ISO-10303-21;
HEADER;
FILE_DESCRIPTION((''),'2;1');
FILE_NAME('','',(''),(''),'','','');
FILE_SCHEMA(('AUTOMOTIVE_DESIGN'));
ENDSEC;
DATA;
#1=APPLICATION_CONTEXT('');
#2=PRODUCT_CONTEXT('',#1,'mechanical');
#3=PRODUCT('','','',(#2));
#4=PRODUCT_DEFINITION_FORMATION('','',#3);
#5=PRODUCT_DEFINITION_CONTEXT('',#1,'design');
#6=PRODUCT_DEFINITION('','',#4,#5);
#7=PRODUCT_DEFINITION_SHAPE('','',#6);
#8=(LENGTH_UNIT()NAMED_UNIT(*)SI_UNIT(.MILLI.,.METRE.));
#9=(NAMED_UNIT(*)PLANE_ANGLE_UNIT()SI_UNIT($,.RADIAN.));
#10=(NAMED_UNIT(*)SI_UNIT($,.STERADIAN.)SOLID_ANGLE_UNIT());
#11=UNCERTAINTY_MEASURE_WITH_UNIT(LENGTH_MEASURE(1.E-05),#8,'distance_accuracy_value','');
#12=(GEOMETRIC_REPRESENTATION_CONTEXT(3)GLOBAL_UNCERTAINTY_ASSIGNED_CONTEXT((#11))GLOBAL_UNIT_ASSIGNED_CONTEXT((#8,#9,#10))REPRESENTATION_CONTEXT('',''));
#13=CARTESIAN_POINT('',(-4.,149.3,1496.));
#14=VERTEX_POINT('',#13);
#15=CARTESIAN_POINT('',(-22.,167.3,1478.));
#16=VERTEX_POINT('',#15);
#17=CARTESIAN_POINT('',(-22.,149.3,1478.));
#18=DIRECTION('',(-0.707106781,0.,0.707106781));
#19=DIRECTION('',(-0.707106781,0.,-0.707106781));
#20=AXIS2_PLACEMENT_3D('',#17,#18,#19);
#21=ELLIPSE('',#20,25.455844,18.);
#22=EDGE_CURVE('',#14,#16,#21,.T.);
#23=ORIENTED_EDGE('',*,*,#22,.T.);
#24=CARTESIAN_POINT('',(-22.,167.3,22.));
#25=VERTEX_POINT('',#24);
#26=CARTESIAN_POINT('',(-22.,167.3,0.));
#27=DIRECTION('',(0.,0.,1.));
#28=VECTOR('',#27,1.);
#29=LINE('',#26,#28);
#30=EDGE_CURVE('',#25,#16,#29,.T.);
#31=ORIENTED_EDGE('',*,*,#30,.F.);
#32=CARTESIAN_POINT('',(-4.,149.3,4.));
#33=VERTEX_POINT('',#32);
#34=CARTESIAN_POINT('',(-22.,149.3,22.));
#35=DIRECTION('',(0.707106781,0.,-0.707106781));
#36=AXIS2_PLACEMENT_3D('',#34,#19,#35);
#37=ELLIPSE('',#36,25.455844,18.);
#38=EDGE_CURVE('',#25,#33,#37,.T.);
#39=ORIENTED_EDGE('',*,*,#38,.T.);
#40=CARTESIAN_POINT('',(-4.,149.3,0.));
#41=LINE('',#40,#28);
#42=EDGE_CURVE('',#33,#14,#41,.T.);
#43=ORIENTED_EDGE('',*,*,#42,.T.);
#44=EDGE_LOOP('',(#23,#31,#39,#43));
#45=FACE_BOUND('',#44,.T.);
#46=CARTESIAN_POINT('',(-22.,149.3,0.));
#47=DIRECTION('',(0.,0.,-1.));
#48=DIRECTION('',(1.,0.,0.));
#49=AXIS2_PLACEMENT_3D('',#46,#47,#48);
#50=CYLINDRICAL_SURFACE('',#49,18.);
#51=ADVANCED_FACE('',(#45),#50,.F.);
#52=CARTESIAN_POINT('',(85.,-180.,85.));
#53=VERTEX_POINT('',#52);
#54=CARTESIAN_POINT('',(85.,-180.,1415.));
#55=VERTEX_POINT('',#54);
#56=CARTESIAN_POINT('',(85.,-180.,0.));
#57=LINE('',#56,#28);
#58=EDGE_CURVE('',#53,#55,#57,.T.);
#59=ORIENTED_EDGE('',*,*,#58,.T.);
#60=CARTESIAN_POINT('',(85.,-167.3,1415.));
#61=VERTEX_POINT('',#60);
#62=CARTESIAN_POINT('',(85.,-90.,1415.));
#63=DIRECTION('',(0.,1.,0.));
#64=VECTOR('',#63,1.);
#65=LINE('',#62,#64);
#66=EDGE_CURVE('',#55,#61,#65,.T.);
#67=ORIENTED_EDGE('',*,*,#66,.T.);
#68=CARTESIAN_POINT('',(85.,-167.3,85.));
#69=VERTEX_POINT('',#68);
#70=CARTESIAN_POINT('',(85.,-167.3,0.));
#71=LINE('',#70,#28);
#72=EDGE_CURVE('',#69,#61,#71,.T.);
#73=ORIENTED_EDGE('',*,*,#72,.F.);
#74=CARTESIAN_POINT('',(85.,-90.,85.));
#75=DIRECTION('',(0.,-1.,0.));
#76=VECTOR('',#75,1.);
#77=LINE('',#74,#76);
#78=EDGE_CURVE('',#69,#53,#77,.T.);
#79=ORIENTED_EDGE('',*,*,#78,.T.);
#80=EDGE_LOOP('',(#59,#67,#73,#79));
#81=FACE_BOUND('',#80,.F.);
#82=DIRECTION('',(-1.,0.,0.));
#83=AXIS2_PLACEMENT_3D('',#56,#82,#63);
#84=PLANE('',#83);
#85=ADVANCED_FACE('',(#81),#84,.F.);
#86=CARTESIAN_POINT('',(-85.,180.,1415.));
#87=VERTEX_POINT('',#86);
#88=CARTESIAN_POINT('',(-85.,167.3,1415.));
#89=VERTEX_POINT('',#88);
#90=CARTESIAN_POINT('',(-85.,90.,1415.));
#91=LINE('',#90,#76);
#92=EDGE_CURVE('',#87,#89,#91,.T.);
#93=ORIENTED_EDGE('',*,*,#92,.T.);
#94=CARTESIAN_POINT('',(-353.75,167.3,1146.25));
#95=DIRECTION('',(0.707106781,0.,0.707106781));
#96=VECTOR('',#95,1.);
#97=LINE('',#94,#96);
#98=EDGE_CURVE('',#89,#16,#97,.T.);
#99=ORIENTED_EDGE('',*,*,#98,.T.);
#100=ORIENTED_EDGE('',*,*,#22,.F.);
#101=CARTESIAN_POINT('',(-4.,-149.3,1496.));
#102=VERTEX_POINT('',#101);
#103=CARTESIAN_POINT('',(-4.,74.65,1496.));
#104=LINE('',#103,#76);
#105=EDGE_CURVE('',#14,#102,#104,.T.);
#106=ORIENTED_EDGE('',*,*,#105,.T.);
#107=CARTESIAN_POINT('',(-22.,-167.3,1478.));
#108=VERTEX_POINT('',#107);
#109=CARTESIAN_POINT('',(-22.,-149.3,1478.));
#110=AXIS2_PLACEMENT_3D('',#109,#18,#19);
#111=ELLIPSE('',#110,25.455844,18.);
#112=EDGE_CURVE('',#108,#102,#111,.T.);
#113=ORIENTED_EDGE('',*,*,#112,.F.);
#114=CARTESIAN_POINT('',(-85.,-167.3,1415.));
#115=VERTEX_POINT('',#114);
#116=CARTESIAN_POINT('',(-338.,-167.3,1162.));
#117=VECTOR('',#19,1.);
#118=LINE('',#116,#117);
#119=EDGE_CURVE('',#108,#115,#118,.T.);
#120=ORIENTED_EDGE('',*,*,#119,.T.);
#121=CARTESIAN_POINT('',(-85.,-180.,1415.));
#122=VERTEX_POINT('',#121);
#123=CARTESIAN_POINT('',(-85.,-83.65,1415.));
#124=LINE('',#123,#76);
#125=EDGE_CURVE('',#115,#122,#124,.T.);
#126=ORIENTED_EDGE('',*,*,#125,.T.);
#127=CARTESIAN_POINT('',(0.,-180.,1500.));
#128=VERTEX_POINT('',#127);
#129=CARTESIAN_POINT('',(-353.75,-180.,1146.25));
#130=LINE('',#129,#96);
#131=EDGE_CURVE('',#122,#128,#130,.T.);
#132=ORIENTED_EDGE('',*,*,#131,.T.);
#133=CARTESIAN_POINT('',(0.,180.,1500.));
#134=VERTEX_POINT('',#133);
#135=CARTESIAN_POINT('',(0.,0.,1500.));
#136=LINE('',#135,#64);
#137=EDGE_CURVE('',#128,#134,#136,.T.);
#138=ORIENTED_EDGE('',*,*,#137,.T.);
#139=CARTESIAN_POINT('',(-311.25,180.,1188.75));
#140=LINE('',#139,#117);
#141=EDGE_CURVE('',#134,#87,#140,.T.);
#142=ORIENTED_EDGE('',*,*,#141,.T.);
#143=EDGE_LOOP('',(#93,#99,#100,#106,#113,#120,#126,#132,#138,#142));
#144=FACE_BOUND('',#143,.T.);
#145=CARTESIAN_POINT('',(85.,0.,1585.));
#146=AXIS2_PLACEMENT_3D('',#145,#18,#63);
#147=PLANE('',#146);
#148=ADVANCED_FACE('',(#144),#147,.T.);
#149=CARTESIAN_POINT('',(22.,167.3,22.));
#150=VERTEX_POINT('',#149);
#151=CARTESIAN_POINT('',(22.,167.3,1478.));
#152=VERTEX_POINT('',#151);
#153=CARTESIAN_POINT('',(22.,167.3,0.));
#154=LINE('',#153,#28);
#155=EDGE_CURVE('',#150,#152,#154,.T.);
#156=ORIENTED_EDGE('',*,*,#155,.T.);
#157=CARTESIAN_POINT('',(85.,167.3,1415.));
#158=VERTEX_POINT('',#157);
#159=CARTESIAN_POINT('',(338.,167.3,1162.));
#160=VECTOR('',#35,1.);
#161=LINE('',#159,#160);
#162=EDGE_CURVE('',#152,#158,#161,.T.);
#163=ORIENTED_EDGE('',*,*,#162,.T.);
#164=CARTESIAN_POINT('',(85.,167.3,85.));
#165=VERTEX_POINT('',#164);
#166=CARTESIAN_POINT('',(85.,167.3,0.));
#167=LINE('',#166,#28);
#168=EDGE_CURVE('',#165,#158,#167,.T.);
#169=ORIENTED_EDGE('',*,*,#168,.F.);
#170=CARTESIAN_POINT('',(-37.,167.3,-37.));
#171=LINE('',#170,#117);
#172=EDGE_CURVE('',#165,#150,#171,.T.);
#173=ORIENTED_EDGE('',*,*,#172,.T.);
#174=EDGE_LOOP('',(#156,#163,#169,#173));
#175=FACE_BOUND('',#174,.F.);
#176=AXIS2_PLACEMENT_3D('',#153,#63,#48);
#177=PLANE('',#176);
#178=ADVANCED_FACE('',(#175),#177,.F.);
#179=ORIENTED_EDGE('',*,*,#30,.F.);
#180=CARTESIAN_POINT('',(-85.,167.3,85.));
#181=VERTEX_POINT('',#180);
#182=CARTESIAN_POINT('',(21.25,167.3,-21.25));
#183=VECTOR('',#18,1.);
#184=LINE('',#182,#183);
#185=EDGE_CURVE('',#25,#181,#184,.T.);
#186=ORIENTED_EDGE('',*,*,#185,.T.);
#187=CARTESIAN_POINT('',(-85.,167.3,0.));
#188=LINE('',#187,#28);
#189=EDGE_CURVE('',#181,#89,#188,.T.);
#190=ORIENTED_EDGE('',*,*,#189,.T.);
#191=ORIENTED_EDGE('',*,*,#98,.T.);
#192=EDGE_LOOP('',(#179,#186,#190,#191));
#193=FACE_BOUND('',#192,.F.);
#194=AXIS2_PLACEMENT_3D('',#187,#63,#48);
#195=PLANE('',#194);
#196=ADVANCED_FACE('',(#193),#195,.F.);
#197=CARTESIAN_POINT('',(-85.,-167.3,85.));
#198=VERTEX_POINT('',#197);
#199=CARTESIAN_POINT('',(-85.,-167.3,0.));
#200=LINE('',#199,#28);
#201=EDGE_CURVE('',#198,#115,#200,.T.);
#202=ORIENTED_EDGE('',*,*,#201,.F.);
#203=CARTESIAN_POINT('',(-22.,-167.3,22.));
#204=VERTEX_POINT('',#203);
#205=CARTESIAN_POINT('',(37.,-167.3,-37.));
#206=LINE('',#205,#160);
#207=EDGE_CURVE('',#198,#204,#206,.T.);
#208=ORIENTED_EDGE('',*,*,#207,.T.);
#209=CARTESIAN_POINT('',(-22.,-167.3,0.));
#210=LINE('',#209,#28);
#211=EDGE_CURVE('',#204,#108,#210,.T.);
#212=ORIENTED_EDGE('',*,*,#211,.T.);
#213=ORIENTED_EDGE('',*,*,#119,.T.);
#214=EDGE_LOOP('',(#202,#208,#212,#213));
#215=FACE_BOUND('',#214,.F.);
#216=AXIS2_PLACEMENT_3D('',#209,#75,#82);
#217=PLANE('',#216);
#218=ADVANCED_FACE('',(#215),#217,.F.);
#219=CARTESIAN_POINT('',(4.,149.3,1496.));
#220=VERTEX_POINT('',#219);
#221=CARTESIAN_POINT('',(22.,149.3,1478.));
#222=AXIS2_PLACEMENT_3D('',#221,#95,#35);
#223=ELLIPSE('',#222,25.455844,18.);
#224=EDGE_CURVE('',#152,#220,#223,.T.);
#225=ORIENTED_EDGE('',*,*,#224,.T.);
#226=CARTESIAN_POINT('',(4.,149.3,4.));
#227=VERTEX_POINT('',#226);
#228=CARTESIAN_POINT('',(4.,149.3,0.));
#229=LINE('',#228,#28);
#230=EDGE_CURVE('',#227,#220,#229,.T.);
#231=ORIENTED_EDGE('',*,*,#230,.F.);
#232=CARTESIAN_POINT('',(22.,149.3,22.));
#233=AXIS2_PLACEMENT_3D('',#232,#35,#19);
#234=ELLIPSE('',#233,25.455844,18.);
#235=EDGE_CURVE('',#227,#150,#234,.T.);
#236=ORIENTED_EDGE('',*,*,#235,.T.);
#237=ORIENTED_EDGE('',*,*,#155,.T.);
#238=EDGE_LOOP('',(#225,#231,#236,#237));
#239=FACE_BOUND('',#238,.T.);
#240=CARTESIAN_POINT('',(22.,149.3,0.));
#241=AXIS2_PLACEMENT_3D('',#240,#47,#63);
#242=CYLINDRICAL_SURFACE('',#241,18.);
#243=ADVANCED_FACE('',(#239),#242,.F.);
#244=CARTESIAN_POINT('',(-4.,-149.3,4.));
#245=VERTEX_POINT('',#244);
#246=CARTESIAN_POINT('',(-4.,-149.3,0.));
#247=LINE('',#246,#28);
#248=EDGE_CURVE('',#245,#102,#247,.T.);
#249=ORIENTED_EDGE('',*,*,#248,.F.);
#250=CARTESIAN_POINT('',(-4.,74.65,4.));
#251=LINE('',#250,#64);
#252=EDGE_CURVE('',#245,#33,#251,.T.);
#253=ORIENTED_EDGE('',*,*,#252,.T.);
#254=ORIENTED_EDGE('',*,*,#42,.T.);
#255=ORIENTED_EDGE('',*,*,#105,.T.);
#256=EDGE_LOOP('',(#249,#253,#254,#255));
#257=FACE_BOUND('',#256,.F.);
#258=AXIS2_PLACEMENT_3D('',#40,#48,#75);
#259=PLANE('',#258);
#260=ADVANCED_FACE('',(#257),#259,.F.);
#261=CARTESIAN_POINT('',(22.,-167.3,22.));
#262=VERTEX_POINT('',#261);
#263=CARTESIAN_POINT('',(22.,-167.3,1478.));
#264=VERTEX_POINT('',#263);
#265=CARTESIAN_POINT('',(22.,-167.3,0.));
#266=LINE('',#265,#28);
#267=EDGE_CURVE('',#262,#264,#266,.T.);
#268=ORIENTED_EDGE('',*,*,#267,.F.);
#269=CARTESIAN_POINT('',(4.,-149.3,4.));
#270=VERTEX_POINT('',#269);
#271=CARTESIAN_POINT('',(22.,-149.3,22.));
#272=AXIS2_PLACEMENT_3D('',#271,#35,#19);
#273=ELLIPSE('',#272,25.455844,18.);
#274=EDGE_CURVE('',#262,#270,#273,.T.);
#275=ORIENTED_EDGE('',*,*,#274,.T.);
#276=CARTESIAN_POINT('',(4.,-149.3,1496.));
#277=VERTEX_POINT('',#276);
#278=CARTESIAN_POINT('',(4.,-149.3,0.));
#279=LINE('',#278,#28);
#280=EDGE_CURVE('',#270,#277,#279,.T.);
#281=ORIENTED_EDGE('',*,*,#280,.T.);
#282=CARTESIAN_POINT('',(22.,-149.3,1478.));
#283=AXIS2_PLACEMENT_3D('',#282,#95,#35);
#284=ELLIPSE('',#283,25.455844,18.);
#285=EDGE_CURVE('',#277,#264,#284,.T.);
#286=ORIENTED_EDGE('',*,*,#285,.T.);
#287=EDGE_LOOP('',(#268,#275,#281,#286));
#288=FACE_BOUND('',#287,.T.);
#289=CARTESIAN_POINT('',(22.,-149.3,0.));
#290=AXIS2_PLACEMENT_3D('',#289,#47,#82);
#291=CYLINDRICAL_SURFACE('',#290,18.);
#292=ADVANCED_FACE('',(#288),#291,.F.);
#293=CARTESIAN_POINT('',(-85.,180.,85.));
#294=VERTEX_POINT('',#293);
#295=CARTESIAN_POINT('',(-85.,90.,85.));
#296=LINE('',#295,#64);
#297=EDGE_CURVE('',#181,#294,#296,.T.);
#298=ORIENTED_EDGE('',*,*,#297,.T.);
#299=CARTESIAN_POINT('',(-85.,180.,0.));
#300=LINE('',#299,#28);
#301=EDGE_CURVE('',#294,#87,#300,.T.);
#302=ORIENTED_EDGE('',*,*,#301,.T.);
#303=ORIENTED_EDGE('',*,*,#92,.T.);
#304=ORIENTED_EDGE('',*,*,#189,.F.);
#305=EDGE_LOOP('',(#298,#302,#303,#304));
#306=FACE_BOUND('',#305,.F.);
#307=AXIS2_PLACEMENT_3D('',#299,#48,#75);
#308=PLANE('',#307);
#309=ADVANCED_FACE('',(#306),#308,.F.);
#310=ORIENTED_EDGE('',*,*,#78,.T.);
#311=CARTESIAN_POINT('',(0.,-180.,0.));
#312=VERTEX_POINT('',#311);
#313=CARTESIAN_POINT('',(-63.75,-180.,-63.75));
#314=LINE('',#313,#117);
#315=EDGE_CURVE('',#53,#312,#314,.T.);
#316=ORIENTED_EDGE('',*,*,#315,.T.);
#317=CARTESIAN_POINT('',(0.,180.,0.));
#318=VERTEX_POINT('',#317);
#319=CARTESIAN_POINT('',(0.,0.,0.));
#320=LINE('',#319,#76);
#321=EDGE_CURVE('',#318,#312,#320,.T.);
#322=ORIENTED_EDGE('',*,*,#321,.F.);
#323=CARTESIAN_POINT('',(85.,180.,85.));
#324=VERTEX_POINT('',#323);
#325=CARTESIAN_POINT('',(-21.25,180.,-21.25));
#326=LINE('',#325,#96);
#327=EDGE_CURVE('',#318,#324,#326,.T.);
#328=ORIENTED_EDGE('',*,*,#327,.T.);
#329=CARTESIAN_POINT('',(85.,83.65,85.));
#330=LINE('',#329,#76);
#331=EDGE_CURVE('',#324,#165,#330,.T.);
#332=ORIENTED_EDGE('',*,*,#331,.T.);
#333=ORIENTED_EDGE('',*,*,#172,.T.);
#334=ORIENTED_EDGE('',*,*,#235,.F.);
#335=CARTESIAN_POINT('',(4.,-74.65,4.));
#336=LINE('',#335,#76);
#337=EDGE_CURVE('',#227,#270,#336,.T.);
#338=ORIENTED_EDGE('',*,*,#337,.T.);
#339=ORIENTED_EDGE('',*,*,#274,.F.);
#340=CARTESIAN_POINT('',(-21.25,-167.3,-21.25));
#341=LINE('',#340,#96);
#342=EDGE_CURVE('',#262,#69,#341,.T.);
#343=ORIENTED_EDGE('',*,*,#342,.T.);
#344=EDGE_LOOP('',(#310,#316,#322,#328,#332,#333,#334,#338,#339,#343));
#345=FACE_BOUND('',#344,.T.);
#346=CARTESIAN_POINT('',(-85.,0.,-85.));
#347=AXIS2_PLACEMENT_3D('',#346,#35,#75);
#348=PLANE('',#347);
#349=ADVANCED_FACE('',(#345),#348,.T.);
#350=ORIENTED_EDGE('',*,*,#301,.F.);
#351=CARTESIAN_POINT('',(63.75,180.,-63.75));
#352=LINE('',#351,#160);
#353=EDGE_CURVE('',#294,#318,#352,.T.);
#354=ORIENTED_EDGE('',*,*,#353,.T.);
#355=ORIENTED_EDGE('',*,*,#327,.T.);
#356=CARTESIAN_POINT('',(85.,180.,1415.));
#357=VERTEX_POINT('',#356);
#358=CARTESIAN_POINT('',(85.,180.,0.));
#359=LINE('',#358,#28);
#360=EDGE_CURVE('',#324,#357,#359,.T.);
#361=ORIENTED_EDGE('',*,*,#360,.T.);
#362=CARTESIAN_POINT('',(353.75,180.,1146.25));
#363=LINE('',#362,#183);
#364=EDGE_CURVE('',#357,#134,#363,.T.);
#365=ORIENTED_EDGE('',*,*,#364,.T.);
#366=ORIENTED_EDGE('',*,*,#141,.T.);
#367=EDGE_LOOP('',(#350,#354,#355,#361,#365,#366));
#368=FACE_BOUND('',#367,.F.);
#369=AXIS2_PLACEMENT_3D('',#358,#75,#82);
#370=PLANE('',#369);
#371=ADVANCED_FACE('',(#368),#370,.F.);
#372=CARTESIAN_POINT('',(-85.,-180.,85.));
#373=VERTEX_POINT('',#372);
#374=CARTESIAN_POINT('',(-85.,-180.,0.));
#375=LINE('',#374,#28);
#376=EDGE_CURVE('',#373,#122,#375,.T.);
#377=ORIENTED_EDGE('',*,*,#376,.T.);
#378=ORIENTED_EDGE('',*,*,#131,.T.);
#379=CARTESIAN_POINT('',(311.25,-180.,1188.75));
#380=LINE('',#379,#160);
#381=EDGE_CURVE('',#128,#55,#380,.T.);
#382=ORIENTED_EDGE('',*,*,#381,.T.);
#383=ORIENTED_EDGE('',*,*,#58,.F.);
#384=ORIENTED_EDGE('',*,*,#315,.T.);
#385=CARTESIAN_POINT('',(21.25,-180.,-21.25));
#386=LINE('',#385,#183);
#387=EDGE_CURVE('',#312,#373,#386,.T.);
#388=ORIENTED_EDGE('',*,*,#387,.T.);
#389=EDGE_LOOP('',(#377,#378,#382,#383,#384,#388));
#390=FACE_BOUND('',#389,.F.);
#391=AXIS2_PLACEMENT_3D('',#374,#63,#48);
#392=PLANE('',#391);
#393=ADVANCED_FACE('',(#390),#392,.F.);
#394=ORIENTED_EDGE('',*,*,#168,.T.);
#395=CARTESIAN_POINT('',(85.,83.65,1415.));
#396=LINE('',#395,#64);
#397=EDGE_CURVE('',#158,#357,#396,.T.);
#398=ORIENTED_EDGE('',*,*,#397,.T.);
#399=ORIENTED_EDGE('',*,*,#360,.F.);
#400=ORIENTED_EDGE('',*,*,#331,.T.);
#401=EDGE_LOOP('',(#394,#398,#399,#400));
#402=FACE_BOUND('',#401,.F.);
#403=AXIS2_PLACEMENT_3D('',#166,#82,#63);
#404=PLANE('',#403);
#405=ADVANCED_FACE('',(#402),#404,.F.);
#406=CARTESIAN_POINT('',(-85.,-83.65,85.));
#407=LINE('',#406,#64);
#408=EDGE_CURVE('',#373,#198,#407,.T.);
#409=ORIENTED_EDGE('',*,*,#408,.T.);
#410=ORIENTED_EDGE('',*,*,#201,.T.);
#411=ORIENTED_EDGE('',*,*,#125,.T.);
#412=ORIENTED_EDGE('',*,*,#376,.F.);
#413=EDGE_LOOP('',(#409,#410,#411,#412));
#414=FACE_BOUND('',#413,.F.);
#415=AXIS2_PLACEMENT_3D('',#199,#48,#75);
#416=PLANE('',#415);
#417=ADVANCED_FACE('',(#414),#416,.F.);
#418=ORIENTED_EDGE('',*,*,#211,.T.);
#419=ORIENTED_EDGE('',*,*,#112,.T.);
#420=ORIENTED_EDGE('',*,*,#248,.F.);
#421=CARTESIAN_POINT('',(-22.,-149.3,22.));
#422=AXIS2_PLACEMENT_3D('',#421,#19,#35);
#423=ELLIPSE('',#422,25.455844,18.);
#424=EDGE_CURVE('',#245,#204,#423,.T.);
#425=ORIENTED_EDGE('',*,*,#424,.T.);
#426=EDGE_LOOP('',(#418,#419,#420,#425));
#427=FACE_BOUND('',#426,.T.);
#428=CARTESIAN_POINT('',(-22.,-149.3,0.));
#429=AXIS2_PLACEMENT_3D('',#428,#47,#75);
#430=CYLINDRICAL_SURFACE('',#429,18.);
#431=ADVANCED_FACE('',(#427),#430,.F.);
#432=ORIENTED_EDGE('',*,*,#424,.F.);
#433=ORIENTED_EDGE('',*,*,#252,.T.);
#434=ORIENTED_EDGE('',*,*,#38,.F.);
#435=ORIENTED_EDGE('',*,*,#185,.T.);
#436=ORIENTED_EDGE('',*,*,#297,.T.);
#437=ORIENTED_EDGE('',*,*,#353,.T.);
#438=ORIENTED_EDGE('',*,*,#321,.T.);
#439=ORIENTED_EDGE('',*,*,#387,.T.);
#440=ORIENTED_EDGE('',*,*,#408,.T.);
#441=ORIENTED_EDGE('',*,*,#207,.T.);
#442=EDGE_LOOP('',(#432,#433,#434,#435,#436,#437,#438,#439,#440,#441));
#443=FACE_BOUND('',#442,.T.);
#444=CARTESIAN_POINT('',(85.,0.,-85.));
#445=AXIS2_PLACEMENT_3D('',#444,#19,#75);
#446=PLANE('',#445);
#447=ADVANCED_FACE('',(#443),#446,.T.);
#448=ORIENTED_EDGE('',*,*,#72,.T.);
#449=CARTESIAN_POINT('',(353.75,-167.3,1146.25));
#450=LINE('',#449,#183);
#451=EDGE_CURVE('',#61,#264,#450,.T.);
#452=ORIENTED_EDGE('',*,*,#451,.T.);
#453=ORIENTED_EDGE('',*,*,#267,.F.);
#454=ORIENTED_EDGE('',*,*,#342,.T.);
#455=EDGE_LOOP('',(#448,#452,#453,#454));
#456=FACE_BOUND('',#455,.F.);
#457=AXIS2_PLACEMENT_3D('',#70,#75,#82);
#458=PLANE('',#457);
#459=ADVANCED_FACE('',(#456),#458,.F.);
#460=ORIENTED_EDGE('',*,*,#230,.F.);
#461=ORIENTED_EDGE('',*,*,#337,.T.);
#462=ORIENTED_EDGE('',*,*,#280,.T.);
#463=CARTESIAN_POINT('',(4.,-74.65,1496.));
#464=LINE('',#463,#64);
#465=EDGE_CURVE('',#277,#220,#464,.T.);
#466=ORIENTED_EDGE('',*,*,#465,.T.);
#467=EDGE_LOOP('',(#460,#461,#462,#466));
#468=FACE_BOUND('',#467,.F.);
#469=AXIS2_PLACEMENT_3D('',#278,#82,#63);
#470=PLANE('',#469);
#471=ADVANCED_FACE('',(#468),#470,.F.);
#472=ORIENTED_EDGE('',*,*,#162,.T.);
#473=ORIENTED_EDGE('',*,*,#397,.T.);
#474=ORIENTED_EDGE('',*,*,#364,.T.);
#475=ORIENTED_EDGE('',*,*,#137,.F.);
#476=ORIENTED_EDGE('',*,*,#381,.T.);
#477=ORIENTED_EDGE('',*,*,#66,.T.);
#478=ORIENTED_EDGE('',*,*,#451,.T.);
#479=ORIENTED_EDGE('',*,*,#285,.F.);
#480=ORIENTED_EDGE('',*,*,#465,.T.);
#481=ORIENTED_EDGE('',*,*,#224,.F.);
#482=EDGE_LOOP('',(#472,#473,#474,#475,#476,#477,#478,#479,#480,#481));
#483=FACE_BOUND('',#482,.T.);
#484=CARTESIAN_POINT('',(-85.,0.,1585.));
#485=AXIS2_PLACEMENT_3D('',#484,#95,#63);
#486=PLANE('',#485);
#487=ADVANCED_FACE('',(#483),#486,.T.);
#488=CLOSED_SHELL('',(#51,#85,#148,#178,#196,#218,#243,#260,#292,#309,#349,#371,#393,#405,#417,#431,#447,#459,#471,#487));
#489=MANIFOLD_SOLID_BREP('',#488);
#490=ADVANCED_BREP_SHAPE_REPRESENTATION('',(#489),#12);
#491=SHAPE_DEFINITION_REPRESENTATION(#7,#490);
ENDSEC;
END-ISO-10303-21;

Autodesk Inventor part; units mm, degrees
ref_plane "Start Plane" through (0, 0, 0) normal (0, 0, 1) x (1, 0, 0)
ref_plane "End Plane" through (0, 0, 1500) normal (0, 0, 1) x (1, 0, 0)
sketch "Sketch" plane through (0, 0, 0) normal (0, 0, 1) x (1, 0, 0)
  line L0 (-85, 167.3) -> (-22, 167.3)
  line L1 (-85, 180) -> (-85, 167.3)
  line L2 (85, 180) -> (-85, 180)
  line L3 (85, 167.3) -> (85, 180)
  line L4 (22, 167.3) -> (85, 167.3)
  line L5 (4, -149.3) -> (4, 149.3)
  line L6 (85, -167.3) -> (22, -167.3)
  line L7 (85, -180) -> (85, -167.3)
  line L8 (-85, -167.3) -> (-85, -180)
  line L9 (-22, -167.3) -> (-85, -167.3)
  line L10 (-4, 149.3) -> (-4, -149.3)
  line L11 (0, -252) -> (0, 252) construction
  line L12 (-4, -167.3) -> (4, -167.3) construction
  arc A0 (-22, -167.3) -> (-4, -149.3) centre (-22, -149.3) ccw
  arc A1 (-4, 149.3) -> (-22, 167.3) centre (-22, 149.3) ccw
  arc A2 (22, 167.3) -> (4, 149.3) centre (22, 149.3) ccw
  arc A3 (4, -149.3) -> (22, -167.3) centre (22, -149.3) ccw
  line L13 (-119, 0) -> (119, 0) construction
  line L14 (-85, -180) -> (85, -180)
  point P0 (-4, 167.3)
  point P1 (4, 167.3)
  point P2 (0, 0)
  point P3 (0, -167.3)
  point P4 (0, 0)
  dimension "d1" = 360
  dimension "d3" = 12.7
  dimension "d5" = 8
  dimension "d7" = 170
  dimension "d13" = 18
  dimension "d14" = 180
  dimension "d15" = 85
extrude "Body" add sketch "Sketch" along normal up to surface (1500 mm away) from surface at 0
sketch "Sketch3" plane through (0, 0, 0) normal (0, 0, 1) x (1, 0, 0)
  line L0 (0, 0) -> (10, 0)
ref_plane "Work Plane3" through (0, 0, 0) normal (0, -1, 0) x (1, 0, 0)
ref_plane "Work Plane4" through (85, 0, -85) normal (-0.7071, 0, -0.7071) x (-0.7071, 0, 0.7071)
split "Split1" plane through (85, 0, -85) removes the side toward (-0.7071, 0, -0.7071)
ref_plane "Work Plane5" through (-85, 0, -85) normal (0.7071, 0, -0.7071) x (-0.7071, 0, -0.7071)
split "Split2" plane through (-85, 0, -85) removes the side toward (0.7071, 0, -0.7071)
ref_plane "Work Plane6" through (-85, 0, 1585) normal (0.7071, 0, 0.7071) x (0.7071, 0, -0.7071)
split "Split3" plane through (-85, 0, 1585) removes the side toward (0.7071, 0, 0.7071)
ref_plane "Work Plane7" through (85, 0, 1585) normal (-0.7071, 0, 0.7071) x (0.7071, 0, 0.7071)
split "Split4" plane through (85, 0, 1585) removes the side toward (-0.7071, 0, 0.7071)
sketch "Sketch4" plane through (0, 0, 0) normal (0, -1, 0) x (1, 0, 0)
  line L0 (-2, 0) -> (12, 0) projected
  line L1 (-2, 1500) -> (12, 1500) projected
  dimension "d19" = 1500
equation "\"d1\" = ParH"
equation "\"d3\" = t2"
equation "\"d5\" = t1"
equation "\"d7\" = b"
equation "\"d13\" = R1"
equation "\"d14\" = 0.5 * d1"
equation "\"d15\" = 0.5 * d7"
equation "\"d8\" = G_L"
equation "\"b\" = 170"
equation "\"ParH\" = 360"
equation "\"R1\" = 18"
equation "\"G_L\" = d19"
equation "\"t1\" = 8"
equation "\"t2\" = 12.7"
equation "\"G_OFFSET_START\" = 0"
equation "\"G_OFFSET_END\" = 0"
properties part number "DIN 1025 - IPE 360-1500" material "Steel, Mild"
